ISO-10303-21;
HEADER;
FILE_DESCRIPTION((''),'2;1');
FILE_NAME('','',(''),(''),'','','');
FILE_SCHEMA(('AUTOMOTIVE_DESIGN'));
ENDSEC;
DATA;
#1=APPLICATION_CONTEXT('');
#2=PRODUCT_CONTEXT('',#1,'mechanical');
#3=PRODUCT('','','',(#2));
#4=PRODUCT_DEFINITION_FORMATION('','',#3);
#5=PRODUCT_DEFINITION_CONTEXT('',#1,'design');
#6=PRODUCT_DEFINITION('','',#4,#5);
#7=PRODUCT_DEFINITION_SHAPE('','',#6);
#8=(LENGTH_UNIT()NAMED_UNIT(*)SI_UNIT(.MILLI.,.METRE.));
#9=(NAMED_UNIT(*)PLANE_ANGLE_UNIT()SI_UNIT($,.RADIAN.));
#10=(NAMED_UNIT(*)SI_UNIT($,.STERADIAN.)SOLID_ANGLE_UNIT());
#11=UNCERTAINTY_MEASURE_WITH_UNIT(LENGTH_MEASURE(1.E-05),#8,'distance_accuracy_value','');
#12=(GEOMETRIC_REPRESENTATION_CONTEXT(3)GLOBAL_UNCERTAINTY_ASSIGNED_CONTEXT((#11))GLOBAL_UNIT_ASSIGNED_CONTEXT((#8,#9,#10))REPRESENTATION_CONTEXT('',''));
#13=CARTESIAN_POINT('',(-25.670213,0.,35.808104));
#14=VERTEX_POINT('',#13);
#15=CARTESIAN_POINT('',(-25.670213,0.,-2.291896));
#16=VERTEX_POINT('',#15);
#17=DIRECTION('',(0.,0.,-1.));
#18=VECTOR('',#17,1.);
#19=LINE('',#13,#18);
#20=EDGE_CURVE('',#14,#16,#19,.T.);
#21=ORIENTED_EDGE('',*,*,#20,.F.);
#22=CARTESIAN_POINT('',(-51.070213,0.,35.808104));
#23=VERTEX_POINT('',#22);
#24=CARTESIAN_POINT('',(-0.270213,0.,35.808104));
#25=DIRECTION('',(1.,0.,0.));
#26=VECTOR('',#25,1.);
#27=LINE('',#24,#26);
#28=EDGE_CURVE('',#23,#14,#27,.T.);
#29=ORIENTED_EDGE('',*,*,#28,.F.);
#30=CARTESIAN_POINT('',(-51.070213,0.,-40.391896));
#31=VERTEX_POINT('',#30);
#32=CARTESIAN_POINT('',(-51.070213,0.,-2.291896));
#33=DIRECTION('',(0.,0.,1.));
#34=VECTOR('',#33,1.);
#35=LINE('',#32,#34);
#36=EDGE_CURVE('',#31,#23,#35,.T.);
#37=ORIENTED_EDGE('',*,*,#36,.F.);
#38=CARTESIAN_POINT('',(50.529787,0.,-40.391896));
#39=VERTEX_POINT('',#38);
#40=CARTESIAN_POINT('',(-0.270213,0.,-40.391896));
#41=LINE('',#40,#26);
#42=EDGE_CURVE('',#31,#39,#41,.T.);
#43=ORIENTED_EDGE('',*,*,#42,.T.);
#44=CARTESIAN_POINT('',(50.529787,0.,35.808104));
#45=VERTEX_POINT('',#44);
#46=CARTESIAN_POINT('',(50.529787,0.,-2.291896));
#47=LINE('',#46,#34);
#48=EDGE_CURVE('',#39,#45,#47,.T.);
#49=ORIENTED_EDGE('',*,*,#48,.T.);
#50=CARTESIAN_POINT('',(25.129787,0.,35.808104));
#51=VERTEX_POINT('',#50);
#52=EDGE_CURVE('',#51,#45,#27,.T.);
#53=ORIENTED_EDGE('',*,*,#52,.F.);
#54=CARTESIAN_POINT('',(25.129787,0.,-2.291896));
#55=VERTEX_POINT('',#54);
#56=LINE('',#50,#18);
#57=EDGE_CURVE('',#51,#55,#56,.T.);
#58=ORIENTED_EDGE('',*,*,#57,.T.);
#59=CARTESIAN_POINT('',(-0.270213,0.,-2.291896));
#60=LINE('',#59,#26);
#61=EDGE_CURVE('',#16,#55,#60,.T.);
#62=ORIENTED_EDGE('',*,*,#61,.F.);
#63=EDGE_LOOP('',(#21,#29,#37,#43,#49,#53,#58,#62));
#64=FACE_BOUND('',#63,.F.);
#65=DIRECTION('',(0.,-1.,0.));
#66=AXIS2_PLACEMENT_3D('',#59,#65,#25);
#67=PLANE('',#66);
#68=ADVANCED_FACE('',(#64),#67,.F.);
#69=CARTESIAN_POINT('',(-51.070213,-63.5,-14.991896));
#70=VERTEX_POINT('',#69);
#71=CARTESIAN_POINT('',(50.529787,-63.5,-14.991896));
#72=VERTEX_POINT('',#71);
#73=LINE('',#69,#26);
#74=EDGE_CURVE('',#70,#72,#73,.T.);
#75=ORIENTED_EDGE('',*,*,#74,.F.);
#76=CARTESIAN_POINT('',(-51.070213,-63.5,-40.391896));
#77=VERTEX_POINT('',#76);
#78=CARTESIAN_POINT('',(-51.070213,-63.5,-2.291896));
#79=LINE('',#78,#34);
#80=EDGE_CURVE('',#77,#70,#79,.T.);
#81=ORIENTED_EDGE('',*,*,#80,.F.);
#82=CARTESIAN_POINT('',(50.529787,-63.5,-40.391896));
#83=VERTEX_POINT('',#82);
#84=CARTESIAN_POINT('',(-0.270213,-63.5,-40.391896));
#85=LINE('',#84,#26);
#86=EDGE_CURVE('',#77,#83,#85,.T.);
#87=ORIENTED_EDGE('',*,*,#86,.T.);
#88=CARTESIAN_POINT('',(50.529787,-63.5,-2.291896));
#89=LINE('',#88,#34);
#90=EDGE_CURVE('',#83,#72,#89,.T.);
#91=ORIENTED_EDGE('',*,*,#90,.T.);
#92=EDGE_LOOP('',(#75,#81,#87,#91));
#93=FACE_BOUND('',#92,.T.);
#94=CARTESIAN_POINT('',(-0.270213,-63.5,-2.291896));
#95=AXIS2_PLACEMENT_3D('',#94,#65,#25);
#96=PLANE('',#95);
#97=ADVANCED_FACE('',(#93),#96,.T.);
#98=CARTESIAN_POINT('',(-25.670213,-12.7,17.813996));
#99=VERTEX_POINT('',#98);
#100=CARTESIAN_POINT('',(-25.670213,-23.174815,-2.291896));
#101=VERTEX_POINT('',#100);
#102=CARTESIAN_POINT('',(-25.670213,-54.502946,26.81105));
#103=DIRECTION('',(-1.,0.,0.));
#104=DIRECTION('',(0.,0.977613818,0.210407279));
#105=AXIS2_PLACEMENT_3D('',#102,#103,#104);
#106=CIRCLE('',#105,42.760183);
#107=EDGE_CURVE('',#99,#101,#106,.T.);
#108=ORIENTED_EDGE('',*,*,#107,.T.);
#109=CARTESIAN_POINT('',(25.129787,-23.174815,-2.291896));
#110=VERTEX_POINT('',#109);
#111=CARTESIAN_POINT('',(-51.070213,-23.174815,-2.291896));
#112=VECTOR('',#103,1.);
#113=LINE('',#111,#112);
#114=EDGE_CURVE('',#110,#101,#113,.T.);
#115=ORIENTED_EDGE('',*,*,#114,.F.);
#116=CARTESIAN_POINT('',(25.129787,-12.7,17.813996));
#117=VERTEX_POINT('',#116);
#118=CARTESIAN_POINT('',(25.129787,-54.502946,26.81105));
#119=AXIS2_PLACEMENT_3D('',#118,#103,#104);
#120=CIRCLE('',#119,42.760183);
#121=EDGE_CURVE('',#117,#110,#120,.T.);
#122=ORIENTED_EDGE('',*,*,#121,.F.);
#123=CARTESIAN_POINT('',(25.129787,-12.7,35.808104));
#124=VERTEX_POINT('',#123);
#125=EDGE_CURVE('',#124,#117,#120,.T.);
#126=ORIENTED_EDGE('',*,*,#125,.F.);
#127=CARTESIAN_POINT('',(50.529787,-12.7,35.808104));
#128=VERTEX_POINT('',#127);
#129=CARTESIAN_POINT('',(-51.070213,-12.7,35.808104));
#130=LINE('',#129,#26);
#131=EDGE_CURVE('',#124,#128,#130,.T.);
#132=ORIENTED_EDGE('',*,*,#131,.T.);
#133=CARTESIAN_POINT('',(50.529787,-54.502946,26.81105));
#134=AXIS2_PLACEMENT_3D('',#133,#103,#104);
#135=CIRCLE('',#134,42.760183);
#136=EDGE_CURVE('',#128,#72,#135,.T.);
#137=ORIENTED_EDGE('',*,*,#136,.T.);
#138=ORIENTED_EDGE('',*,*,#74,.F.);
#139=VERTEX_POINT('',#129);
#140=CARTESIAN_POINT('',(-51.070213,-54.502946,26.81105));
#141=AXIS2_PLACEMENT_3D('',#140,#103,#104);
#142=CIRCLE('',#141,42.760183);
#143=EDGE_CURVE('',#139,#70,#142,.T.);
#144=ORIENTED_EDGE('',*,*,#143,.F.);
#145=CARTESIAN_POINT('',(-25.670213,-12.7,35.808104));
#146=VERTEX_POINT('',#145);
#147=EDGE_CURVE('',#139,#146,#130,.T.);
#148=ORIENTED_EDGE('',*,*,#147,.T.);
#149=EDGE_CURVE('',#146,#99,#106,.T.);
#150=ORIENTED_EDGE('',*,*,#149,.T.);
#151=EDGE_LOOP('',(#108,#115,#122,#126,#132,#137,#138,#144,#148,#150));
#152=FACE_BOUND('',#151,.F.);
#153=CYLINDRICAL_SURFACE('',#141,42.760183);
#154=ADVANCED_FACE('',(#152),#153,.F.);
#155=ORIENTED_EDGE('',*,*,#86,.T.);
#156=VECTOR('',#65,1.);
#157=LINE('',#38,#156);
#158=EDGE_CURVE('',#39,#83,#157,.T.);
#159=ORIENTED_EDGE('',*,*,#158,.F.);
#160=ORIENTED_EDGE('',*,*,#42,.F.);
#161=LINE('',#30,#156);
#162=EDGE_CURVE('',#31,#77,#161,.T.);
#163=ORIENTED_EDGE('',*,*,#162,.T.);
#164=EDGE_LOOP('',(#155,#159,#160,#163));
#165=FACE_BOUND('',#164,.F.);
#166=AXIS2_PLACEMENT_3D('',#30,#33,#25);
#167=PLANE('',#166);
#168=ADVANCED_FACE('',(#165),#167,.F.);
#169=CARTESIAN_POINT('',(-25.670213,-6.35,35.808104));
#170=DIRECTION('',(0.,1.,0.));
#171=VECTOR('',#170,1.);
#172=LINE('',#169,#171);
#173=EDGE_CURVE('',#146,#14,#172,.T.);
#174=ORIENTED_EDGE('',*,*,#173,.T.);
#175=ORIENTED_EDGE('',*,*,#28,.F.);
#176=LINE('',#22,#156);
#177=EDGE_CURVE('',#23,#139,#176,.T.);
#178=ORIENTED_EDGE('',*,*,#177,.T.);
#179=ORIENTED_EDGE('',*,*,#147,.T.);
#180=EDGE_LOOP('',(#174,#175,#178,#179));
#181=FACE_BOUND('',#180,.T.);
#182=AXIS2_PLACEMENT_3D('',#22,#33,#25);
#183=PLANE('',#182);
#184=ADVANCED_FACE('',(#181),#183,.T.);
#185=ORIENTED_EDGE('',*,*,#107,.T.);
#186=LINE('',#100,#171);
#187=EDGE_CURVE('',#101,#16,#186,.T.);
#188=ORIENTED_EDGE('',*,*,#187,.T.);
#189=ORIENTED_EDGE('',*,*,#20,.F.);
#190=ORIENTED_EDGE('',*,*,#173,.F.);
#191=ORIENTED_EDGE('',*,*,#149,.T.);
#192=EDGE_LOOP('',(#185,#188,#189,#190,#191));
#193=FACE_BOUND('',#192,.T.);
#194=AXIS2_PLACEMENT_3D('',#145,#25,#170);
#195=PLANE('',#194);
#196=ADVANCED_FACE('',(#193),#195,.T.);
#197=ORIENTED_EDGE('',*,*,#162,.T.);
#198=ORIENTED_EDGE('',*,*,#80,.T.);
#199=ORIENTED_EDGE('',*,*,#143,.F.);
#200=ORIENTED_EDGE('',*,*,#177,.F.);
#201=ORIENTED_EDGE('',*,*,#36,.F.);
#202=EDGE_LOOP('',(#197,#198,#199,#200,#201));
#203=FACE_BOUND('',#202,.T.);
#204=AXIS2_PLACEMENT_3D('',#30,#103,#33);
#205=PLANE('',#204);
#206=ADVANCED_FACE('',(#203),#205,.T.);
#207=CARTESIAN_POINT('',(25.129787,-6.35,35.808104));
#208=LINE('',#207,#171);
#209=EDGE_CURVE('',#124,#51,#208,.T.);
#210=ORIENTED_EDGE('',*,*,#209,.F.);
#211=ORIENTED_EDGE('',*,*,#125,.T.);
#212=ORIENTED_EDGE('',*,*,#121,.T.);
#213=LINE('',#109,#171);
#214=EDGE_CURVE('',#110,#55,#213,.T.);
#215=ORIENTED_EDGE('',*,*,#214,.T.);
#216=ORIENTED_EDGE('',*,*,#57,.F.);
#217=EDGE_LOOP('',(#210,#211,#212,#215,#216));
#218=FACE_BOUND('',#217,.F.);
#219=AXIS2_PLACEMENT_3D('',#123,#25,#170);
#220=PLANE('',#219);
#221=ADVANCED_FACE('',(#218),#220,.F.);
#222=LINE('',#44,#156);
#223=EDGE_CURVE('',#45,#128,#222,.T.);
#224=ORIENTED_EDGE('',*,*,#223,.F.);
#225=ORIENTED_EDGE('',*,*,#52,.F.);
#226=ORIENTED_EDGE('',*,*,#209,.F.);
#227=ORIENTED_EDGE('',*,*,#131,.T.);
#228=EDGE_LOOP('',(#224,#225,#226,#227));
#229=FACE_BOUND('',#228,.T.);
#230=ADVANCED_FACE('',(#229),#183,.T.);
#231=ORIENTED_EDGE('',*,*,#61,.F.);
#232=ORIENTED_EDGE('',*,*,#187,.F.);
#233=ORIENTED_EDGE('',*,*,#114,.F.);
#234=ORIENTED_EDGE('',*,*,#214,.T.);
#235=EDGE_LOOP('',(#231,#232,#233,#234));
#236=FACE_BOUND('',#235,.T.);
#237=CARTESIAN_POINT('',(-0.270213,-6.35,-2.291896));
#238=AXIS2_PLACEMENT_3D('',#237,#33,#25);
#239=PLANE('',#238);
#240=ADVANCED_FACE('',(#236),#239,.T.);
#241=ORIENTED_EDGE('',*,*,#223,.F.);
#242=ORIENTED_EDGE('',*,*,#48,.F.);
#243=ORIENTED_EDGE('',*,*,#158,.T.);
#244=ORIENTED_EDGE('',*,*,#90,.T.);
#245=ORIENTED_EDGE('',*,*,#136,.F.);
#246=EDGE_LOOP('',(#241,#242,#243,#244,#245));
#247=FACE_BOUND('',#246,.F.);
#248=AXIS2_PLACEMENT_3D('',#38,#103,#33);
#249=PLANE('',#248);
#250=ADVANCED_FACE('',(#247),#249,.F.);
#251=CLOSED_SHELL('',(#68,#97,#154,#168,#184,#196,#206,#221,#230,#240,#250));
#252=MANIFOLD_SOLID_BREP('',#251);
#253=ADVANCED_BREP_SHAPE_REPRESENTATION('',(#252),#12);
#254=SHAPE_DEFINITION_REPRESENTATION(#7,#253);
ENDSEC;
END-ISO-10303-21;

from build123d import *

# Parameters (mm, degrees)
F0_W      = 101.6
F0_H      = 76.2
F1_DEPTH  = 63.5
F3_DEPTH  = 101.6
F4_W      = 50.8
F4_H      = 12.7
F5_DEPTH  = 38.1
F5_FACE_W = 50.8
F5_FACE_H = 20.105892
F6_DEPTH  = 25.4


with BuildPart() as f1:
    # F0 (on Front) → F1 (new body)
    with BuildSketch(Plane.XZ):
        with Locations((-0.270213, -2.291896)):
            Rectangle(F0_W, F0_H)
    extrude(amount=F1_DEPTH)

    # F2 (on face) → F3 (cut)
    with BuildSketch(Plane(origin=(-51.070213, 0, 0), x_dir=(0, -1, 0), z_dir=(-1, 0, 0))):
        with BuildLine():
            Line((63.5, 35.808104), (12.7, 35.808104))
            ThreePointArc((12.7, 35.808104), (24.26693, -3.424965), (63.5, -14.991896))
            Line((63.5, -14.991896), (63.5, 35.808104))
        make_face()
    extrude(amount=-F3_DEPTH, mode=Mode.SUBTRACT)

    # F4 (on face) → F5 (cut)
    with BuildSketch(Plane.XY.offset(35.808104)):
        with Locations((-0.270213, -6.35)):
            Rectangle(F4_W, F4_H)
    extrude(amount=-F5_DEPTH, mode=Mode.SUBTRACT)

    # F5_face (on face) → F6 (cut)
    with BuildSketch(Plane(origin=(-0.270213, -12.7, 7.76105), x_dir=(-1, 0, 0), z_dir=(0, 1, 0))):
        Rectangle(F5_FACE_W, F5_FACE_H)
    extrude(amount=-F6_DEPTH, mode=Mode.SUBTRACT)


solid = f1.part
